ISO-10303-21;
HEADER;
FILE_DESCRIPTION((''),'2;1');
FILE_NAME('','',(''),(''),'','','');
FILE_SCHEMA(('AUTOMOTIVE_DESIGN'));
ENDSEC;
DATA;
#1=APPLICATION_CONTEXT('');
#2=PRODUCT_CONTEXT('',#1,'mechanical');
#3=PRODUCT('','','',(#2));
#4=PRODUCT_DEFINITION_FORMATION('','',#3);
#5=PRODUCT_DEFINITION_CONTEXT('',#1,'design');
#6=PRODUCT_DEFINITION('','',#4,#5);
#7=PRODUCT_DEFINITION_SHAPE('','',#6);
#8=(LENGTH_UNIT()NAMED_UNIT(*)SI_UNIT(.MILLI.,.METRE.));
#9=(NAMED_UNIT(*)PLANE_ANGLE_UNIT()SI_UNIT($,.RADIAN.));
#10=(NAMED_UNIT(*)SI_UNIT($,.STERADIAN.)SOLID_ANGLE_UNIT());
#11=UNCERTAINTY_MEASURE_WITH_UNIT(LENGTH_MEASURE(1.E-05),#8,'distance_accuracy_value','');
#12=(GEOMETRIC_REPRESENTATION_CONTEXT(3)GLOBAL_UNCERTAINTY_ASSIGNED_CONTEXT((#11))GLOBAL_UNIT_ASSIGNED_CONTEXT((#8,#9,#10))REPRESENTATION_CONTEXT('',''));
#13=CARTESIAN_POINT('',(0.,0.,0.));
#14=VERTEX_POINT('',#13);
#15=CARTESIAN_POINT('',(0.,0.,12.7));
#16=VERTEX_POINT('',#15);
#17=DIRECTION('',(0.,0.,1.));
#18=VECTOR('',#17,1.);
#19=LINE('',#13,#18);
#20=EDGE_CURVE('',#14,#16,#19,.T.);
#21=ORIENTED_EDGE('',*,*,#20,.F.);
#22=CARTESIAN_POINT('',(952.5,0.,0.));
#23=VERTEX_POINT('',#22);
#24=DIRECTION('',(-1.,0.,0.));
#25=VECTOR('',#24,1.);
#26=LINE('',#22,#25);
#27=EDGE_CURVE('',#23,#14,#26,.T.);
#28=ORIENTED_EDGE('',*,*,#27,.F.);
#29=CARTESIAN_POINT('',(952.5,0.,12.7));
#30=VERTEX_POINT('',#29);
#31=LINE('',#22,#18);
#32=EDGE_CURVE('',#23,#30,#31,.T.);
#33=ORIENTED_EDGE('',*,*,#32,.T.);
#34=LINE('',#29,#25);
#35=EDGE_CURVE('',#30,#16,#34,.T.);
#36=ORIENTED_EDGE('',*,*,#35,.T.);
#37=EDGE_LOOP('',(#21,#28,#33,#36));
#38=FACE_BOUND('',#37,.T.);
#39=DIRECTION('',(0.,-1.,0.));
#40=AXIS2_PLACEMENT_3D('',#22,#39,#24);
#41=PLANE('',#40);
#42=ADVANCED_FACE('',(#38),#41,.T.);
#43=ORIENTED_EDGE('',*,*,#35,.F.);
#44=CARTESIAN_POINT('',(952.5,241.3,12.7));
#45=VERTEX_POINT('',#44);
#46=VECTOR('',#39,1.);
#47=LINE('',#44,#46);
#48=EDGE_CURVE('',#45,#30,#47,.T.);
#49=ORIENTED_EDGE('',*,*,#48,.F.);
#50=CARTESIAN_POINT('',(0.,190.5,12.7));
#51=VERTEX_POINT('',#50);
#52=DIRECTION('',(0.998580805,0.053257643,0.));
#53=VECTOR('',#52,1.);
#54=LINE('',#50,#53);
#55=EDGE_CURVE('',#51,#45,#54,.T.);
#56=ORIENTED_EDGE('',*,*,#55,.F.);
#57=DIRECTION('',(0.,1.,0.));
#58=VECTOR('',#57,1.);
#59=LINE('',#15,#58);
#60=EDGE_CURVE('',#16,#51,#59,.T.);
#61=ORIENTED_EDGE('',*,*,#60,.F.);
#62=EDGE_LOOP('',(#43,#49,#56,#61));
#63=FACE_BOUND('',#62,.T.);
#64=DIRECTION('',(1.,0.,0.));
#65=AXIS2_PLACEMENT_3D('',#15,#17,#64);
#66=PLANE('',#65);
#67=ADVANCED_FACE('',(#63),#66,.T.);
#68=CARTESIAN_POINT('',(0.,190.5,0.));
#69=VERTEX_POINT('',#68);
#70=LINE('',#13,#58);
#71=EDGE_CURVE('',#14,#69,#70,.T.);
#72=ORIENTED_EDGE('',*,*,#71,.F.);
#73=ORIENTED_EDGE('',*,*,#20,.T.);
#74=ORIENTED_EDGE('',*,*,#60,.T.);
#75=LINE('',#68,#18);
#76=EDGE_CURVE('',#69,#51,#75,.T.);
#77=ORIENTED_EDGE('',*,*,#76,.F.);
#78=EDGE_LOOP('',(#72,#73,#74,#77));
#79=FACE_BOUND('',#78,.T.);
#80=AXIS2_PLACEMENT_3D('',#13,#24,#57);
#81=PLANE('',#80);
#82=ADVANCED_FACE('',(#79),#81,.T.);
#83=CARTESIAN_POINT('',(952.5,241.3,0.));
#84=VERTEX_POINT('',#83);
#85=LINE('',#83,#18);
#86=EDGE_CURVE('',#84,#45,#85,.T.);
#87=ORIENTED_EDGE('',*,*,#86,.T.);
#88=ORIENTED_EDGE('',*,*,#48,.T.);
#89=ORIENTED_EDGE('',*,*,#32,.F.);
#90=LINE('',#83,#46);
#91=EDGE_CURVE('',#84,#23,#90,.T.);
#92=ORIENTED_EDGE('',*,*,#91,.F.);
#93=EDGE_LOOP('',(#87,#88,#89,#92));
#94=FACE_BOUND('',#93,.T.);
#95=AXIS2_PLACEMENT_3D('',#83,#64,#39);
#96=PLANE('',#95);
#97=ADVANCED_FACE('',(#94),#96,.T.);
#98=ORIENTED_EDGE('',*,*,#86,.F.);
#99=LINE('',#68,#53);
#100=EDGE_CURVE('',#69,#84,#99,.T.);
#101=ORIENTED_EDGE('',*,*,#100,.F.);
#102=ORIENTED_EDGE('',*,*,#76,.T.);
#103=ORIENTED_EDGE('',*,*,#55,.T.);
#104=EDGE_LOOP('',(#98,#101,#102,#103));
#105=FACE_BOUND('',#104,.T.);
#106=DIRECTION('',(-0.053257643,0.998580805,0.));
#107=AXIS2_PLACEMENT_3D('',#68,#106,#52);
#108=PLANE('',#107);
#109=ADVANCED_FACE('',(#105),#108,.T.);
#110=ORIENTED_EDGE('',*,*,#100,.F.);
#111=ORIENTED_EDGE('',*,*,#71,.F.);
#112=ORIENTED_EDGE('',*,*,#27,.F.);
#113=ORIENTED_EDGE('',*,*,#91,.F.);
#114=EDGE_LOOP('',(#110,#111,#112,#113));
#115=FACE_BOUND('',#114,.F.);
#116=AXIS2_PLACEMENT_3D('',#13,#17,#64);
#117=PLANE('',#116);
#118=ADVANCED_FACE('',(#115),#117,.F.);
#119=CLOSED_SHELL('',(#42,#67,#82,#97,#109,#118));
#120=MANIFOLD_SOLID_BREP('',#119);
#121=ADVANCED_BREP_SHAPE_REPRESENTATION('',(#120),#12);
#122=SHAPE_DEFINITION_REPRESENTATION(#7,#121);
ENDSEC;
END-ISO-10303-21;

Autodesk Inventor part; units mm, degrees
ref_plane "YZ Plane" through (0, 0, 0) normal (1, 0, 0) x (0, 1, 0)
ref_plane "XZ Plane" through (0, 0, 0) normal (0, 1, 0) x (-1, 0, 0)
ref_plane "XY Plane" through (0, 0, 0) normal (0, 0, 1) x (1, 0, 0)
sketch "Sketch1" plane through (0, 0, 0) normal (0, 0, 1) x (1, 0, 0)
  line L0 (0, 0) -> (0, 190.5)
  line L1 (0, 190.5) -> (952.5, 241.3)
  line L2 (952.5, 241.3) -> (952.5, 0)
  line L3 (952.5, 0) -> (0, 0)
  dimension "d0" = 952.5
  dimension "d5" = 190.5
  dimension "d9" = 241.3
extrude "Extrusion1" add sketch "Sketch1" along normal blind 12.7
properties part number "GE-12103-01"
